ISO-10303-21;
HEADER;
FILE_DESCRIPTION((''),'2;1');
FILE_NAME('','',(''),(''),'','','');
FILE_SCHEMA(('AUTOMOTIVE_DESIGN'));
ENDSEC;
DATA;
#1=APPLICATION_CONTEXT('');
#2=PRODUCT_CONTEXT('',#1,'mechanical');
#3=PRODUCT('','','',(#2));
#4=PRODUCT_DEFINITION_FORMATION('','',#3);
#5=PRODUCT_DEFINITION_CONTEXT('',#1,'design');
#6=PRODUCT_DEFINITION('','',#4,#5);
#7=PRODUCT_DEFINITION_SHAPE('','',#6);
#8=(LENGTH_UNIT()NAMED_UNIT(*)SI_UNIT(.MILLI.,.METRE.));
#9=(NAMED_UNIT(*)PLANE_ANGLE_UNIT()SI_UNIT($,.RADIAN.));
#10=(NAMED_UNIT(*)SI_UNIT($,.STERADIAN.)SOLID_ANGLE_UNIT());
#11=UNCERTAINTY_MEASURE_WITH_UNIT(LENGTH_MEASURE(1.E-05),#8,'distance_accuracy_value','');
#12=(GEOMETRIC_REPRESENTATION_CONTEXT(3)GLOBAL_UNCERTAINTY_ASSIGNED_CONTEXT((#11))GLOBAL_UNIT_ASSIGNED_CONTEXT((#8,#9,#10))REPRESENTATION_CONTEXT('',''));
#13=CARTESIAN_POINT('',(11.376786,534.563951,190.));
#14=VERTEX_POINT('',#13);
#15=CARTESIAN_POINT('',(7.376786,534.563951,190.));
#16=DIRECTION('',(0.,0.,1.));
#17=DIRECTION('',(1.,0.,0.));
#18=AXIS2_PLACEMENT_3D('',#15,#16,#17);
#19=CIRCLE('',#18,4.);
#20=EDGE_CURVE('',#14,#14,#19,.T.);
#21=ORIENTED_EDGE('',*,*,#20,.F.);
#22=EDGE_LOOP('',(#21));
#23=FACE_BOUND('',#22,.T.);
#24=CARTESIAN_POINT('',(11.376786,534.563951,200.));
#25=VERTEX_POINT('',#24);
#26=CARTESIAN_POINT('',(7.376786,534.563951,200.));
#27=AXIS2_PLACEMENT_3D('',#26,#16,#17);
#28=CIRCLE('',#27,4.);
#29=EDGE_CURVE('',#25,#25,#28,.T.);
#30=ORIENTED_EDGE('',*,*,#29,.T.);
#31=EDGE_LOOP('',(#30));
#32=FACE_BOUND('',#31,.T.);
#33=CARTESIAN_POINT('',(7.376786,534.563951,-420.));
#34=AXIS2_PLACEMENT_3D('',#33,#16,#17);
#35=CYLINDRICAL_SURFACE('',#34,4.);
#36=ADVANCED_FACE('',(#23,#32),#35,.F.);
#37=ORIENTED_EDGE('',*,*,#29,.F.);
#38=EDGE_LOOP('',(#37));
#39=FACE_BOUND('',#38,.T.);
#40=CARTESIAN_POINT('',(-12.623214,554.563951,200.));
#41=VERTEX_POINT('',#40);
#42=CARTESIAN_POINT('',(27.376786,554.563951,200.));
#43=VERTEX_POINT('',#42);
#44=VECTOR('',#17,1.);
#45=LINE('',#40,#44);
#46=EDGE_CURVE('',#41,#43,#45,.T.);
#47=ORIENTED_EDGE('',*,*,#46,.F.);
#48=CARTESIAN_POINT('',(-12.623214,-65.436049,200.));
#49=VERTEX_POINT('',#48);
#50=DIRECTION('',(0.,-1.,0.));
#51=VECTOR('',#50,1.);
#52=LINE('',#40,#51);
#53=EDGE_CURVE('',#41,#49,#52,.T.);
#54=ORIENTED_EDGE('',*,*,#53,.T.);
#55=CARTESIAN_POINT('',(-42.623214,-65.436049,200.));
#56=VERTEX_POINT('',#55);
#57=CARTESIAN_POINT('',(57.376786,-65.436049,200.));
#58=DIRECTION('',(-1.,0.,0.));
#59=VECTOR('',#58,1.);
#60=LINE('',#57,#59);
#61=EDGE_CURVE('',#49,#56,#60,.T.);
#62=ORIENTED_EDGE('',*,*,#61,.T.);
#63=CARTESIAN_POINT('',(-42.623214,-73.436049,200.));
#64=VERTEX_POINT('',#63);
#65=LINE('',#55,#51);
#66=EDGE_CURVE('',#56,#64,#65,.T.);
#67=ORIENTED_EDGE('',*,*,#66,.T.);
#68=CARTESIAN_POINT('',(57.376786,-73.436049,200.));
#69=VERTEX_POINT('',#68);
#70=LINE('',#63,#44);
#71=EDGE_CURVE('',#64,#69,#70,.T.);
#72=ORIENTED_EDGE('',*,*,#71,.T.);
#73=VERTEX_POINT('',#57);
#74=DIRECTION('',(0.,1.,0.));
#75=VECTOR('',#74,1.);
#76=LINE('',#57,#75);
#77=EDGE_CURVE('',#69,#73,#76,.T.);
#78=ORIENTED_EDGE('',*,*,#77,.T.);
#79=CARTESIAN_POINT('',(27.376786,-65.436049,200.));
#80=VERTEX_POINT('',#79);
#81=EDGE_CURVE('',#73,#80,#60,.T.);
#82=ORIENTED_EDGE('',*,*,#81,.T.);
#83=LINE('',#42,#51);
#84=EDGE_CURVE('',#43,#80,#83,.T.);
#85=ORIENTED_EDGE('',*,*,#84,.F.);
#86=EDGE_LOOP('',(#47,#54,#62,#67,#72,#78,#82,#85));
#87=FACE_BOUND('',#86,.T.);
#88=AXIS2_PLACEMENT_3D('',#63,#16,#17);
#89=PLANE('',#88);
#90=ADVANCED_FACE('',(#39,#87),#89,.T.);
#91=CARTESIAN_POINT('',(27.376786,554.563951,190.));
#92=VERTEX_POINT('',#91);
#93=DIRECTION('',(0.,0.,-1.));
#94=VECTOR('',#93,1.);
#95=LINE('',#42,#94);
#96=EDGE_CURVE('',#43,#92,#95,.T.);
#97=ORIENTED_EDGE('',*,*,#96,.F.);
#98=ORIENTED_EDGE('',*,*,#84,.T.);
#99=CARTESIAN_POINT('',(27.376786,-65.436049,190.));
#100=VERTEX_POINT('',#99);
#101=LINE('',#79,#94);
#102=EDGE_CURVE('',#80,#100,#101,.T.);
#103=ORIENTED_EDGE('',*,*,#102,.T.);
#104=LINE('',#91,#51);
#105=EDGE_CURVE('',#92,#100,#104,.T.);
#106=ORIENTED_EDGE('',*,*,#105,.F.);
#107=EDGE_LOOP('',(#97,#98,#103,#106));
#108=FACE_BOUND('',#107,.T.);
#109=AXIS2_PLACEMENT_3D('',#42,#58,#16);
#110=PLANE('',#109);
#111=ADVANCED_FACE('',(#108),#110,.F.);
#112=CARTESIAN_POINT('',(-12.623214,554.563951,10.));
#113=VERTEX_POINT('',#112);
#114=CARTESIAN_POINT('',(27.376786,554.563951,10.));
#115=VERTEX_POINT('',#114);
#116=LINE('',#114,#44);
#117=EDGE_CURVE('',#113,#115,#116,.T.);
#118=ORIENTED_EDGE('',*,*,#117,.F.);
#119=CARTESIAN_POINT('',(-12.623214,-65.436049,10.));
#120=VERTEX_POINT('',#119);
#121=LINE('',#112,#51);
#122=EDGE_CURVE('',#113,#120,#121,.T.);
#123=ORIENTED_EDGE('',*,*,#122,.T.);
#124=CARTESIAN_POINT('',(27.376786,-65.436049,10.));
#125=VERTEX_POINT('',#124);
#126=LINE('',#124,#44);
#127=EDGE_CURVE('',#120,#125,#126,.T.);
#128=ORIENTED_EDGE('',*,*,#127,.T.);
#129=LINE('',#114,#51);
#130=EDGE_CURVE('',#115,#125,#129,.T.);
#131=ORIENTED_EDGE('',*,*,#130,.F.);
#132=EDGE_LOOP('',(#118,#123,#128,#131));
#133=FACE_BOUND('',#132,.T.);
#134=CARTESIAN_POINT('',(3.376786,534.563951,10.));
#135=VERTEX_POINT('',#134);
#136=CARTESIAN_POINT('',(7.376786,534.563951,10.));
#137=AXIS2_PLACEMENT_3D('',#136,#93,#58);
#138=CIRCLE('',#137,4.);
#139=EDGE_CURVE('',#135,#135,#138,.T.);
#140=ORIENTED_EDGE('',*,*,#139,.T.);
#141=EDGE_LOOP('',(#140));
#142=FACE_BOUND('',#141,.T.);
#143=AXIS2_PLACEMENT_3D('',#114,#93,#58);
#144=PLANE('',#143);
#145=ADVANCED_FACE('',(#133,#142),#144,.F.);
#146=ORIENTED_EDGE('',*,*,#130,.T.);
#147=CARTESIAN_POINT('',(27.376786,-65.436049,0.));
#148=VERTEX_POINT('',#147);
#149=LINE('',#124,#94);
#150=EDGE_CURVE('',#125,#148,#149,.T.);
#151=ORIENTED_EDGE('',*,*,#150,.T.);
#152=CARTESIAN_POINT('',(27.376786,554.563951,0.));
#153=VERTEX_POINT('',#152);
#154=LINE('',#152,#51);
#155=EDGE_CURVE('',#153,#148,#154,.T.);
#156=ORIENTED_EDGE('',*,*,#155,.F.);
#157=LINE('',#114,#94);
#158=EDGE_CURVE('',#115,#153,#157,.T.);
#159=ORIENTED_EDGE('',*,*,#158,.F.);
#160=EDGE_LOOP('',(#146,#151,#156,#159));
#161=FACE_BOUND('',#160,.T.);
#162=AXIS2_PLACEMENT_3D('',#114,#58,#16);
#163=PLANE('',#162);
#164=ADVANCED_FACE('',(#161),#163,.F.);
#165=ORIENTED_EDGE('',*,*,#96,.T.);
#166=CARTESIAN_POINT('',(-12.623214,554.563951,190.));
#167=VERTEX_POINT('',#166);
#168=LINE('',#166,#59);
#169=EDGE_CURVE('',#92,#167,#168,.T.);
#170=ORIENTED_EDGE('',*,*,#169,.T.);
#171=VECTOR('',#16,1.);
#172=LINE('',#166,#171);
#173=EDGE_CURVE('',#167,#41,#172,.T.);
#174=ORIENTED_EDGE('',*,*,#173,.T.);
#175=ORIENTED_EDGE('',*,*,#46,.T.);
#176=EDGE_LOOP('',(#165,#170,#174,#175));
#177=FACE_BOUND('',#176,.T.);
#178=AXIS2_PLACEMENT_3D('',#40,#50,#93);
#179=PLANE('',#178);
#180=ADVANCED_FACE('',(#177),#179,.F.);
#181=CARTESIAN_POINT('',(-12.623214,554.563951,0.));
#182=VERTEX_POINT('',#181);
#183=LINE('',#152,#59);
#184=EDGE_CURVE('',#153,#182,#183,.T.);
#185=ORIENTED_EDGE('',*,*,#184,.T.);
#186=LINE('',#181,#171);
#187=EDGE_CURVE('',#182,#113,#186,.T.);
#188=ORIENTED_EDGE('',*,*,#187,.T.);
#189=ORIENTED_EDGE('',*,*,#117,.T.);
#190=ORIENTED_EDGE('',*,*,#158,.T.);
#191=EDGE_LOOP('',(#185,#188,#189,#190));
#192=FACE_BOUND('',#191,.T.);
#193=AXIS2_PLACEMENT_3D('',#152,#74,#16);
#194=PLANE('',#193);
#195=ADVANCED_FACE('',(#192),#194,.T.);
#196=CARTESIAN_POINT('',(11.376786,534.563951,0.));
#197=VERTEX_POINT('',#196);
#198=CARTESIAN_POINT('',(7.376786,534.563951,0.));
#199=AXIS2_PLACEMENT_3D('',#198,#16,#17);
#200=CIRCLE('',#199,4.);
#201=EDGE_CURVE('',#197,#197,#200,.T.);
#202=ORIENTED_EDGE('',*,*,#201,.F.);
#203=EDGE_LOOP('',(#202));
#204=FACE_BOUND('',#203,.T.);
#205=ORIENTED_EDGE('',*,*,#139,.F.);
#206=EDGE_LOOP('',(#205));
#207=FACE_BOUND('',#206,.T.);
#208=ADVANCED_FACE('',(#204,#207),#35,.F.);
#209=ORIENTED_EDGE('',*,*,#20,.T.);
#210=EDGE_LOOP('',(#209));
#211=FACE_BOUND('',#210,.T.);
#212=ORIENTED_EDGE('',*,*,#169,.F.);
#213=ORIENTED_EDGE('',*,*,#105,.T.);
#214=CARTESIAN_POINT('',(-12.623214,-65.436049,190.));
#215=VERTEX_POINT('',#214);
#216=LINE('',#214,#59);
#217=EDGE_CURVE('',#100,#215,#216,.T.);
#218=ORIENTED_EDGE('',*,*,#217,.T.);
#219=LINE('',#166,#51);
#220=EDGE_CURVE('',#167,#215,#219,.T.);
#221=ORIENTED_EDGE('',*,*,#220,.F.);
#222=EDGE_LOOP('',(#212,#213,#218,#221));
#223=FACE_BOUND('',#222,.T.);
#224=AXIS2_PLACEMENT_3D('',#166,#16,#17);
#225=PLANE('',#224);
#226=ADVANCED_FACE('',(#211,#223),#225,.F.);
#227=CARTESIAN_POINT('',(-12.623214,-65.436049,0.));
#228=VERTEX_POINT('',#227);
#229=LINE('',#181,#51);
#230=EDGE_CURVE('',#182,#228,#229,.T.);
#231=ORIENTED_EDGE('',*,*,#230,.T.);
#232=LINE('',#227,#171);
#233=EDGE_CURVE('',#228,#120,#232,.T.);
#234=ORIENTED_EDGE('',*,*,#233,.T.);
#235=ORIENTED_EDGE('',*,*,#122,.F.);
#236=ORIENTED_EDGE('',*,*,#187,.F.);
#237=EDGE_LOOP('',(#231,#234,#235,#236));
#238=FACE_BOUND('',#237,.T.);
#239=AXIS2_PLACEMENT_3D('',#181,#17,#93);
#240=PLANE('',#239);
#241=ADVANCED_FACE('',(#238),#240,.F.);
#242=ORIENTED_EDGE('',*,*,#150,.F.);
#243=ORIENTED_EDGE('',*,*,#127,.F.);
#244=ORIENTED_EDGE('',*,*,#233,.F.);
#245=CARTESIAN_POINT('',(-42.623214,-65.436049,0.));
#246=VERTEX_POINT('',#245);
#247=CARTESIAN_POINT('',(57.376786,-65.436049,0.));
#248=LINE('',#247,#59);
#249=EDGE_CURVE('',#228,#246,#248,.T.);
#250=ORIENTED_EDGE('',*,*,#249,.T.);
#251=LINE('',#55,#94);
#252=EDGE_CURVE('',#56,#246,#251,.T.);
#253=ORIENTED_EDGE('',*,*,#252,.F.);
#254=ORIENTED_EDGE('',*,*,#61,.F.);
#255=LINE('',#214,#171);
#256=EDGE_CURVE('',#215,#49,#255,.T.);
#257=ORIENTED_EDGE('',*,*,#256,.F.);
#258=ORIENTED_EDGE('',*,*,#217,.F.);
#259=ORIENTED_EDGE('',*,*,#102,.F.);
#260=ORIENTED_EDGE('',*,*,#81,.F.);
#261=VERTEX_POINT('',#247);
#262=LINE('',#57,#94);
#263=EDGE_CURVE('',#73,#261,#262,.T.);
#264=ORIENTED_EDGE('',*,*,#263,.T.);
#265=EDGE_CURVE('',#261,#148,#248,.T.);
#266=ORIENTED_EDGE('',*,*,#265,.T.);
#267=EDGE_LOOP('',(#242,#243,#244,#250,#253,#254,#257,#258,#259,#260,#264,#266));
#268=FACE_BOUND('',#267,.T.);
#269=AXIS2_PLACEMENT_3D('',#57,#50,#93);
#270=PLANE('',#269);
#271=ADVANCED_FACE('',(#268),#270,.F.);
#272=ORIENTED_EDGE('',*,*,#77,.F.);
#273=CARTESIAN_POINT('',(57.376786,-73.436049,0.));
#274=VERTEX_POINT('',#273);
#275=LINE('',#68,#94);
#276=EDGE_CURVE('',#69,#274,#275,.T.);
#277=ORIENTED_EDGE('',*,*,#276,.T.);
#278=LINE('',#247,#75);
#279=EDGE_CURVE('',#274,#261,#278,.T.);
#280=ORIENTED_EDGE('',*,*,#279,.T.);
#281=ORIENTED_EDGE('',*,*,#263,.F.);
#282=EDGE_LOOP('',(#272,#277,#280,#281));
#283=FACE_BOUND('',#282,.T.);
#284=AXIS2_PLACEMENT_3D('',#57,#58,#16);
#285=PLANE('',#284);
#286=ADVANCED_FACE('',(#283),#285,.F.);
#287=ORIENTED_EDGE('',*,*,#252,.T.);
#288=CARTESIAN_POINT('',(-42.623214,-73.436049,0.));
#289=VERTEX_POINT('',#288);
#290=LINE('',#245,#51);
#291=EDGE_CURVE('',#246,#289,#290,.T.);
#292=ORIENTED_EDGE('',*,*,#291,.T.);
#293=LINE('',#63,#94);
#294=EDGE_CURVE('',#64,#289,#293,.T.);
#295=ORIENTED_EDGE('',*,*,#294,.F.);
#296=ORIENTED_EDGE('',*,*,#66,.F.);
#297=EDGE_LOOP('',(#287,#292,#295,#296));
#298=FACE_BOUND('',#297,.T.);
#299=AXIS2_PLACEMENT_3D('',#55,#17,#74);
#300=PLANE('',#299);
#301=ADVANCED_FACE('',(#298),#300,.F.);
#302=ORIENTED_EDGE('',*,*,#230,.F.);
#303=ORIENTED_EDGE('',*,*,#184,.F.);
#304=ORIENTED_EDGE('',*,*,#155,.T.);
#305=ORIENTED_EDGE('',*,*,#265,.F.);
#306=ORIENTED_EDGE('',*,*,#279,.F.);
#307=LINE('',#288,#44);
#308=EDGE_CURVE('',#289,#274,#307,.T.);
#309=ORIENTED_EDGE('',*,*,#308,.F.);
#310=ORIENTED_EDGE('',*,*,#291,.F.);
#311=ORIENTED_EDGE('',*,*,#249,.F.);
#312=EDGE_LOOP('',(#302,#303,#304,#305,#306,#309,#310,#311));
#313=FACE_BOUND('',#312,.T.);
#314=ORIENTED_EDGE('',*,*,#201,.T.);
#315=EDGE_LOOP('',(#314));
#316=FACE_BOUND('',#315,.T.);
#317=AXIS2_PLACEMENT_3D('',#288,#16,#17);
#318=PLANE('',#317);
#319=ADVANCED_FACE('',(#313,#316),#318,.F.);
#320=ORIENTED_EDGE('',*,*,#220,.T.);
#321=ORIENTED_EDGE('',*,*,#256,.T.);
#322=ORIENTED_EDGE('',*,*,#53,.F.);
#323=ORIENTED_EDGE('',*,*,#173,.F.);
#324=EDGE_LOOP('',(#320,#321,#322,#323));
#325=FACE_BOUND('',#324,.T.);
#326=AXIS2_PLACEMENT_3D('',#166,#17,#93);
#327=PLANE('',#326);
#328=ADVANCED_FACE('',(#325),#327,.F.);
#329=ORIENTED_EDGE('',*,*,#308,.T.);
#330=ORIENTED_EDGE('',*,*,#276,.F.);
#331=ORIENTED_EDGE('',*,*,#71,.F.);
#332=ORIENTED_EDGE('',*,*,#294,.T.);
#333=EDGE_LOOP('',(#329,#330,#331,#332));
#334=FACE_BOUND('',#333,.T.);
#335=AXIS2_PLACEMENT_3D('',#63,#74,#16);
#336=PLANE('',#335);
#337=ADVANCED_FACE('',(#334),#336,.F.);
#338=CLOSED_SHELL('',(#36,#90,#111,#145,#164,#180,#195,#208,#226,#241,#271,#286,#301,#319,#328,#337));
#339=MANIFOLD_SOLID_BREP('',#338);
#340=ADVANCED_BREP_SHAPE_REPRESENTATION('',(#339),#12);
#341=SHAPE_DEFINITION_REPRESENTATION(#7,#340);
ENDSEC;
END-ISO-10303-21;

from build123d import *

# Parameters (mm, degrees)
SKETCH1_W          = 100
SKETCH1_H          = 8
EXTRUDE1_DEPTH     = 200
SKETCH4_W          = 40
SKETCH4_H          = 10
EXTRUDE3_DEPTH     = 620
SKETCH5_R          = 4
CUT_EXTRUDE2_DEPTH = 620


with BuildPart() as part:
    # Sketch1 → Extrude1 (new body)
    with BuildSketch(Plane.XY):
        with Locations((7.376785714, -69.436049107)):
            Rectangle(SKETCH1_W, SKETCH1_H)
    extrude(amount=EXTRUDE1_DEPTH)

    # Sketch4 → Extrude3 (add)
    with BuildSketch(Plane(origin=(0, -65.436049107, 0), x_dir=(1, 0, 0), z_dir=(0, 1, 0))):
        with Locations((7.376785714, -195)):
            Rectangle(SKETCH4_W, SKETCH4_H)
        with Locations((7.376785714, -5)):
            Rectangle(SKETCH4_W, SKETCH4_H)
    extrude(amount=EXTRUDE3_DEPTH)

    # Sketch5 → Cut-Extrude2 (cut)
    with BuildSketch(Plane.XY.offset(200)):
        with Locations((7.376785714, 534.563950893)):
            Circle(SKETCH5_R)
    extrude(amount=-CUT_EXTRUDE2_DEPTH, mode=Mode.SUBTRACT)


solid = part.part
